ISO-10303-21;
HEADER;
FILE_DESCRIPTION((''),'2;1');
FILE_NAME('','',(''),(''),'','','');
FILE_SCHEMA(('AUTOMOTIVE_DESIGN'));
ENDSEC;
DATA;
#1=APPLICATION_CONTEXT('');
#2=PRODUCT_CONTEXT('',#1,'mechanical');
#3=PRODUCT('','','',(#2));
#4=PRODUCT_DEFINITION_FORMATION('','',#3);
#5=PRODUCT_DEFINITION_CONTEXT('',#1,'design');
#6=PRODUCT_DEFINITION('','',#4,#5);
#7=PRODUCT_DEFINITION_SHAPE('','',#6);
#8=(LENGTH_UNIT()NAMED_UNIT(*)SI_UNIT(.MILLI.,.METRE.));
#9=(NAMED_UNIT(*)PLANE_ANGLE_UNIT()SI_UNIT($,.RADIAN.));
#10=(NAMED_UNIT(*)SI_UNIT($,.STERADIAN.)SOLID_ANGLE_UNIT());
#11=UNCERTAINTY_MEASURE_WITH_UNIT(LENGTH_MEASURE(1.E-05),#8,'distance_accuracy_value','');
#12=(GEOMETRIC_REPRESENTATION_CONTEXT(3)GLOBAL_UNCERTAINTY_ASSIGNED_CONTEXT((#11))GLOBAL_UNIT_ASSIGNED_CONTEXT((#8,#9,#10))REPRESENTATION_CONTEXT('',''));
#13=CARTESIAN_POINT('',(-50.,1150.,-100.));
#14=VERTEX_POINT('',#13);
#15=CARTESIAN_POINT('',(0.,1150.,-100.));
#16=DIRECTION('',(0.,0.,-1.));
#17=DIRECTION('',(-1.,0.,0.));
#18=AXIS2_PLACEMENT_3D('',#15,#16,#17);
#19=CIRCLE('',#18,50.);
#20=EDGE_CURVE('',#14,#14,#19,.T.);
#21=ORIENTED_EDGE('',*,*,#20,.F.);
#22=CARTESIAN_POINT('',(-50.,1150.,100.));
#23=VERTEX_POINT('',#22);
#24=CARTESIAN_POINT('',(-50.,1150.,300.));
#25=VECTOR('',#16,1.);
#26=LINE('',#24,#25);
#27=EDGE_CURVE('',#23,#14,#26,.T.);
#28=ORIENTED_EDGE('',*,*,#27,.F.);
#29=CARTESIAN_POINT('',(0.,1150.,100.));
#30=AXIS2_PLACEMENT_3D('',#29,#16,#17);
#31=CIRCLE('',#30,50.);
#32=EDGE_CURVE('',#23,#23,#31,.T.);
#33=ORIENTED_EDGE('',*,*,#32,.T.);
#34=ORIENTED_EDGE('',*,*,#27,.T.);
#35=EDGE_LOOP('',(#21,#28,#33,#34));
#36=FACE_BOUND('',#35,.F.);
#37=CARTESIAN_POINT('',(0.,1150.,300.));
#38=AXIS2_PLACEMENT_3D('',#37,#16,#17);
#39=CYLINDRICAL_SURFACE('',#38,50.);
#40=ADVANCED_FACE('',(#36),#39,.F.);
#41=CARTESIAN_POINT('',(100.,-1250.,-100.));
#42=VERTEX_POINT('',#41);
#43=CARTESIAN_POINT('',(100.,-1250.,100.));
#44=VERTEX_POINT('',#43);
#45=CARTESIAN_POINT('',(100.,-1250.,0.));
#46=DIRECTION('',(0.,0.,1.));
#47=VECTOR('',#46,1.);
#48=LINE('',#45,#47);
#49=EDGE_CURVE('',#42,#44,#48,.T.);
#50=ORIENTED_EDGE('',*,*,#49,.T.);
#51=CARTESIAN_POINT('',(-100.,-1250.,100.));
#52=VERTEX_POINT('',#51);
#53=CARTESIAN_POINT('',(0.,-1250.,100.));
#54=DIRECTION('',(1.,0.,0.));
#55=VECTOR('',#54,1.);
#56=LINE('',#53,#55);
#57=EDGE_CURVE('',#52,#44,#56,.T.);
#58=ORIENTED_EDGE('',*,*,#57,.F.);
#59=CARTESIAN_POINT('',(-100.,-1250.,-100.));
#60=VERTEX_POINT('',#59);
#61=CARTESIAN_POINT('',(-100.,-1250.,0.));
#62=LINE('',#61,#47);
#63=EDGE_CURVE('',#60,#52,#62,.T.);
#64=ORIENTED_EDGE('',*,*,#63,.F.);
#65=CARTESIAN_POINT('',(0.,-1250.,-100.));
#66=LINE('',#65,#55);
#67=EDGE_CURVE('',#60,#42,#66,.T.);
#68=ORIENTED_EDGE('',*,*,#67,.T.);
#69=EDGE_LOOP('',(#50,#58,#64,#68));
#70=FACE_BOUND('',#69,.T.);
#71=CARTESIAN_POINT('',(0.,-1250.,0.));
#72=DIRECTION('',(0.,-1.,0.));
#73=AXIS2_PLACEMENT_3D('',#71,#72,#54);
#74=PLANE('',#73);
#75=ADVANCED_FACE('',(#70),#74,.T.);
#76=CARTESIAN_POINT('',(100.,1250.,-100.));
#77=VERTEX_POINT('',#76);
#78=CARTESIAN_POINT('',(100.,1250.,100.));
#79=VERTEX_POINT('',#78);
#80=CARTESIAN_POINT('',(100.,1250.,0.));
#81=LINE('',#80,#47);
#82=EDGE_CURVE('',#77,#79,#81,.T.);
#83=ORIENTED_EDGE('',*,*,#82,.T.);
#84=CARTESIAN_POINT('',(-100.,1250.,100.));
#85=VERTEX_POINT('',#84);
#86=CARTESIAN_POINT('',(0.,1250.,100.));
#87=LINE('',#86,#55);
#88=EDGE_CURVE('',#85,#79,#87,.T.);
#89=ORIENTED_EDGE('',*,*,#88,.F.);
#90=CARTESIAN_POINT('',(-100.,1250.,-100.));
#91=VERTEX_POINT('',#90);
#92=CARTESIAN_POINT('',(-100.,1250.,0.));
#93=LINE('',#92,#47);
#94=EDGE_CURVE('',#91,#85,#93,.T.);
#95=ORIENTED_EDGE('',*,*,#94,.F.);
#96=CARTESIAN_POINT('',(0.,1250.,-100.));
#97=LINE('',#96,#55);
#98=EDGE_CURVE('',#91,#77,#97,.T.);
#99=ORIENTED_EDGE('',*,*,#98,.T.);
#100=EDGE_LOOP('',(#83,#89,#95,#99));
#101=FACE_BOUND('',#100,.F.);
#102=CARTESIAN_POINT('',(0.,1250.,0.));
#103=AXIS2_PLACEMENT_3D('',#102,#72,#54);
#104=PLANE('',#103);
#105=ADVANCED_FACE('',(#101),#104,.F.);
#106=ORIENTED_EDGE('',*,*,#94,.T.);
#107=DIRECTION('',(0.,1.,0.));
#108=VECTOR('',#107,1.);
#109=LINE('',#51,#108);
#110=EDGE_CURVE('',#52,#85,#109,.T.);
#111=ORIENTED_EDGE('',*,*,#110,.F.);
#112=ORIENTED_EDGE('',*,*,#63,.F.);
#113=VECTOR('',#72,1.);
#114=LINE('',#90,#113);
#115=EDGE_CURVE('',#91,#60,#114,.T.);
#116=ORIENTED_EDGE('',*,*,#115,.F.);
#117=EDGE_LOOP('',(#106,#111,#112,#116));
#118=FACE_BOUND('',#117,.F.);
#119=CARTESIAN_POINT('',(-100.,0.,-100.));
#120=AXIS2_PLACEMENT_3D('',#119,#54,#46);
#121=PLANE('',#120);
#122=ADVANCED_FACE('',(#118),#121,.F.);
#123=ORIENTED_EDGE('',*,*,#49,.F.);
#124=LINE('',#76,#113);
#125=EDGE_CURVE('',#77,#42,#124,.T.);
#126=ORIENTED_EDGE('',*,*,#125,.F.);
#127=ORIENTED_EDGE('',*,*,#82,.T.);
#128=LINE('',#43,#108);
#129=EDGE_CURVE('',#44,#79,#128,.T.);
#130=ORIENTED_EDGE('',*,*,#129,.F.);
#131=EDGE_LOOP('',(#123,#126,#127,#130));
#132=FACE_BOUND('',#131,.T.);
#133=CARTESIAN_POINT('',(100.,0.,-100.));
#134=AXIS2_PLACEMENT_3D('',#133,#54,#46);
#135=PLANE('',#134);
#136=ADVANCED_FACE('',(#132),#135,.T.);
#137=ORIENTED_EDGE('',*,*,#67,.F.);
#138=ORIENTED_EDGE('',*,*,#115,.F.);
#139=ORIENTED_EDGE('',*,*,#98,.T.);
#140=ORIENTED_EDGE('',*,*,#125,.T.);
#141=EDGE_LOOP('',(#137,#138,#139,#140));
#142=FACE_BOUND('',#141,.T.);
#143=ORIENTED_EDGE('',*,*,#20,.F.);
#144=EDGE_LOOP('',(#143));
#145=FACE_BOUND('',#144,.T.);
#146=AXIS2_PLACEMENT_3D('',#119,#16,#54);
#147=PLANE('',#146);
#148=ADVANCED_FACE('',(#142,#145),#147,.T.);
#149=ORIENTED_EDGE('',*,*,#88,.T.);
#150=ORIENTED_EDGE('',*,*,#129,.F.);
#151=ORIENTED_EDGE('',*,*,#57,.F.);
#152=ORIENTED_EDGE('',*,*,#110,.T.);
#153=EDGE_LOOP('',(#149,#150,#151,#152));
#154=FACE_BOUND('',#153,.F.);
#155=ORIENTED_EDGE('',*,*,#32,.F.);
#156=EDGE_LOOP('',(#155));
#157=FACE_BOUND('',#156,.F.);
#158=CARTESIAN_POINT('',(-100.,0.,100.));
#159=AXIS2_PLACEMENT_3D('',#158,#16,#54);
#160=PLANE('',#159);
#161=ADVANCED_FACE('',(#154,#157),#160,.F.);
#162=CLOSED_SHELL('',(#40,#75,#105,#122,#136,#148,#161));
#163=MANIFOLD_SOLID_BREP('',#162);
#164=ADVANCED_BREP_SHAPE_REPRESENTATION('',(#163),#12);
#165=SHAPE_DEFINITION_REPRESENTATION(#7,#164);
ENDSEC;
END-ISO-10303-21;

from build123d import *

# Parameters (mm, degrees)
F0_W     = 200
F0_H     = 200
F1_DEPTH = 1250
F3_D     = 100
F3_DEPTH = 200


with BuildPart() as f1:
    # F0 (on Front) → F1 (new body, symmetric)
    with BuildSketch(Plane.XZ):
        Rectangle(F0_W, F0_H)
    extrude(amount=F1_DEPTH, both=True)

    # F3
    with Locations(Plane.XY.offset(100)):
        with Locations((0, 1150)):
            Hole(F3_D / 2, depth=F3_DEPTH)


solid = f1.part
